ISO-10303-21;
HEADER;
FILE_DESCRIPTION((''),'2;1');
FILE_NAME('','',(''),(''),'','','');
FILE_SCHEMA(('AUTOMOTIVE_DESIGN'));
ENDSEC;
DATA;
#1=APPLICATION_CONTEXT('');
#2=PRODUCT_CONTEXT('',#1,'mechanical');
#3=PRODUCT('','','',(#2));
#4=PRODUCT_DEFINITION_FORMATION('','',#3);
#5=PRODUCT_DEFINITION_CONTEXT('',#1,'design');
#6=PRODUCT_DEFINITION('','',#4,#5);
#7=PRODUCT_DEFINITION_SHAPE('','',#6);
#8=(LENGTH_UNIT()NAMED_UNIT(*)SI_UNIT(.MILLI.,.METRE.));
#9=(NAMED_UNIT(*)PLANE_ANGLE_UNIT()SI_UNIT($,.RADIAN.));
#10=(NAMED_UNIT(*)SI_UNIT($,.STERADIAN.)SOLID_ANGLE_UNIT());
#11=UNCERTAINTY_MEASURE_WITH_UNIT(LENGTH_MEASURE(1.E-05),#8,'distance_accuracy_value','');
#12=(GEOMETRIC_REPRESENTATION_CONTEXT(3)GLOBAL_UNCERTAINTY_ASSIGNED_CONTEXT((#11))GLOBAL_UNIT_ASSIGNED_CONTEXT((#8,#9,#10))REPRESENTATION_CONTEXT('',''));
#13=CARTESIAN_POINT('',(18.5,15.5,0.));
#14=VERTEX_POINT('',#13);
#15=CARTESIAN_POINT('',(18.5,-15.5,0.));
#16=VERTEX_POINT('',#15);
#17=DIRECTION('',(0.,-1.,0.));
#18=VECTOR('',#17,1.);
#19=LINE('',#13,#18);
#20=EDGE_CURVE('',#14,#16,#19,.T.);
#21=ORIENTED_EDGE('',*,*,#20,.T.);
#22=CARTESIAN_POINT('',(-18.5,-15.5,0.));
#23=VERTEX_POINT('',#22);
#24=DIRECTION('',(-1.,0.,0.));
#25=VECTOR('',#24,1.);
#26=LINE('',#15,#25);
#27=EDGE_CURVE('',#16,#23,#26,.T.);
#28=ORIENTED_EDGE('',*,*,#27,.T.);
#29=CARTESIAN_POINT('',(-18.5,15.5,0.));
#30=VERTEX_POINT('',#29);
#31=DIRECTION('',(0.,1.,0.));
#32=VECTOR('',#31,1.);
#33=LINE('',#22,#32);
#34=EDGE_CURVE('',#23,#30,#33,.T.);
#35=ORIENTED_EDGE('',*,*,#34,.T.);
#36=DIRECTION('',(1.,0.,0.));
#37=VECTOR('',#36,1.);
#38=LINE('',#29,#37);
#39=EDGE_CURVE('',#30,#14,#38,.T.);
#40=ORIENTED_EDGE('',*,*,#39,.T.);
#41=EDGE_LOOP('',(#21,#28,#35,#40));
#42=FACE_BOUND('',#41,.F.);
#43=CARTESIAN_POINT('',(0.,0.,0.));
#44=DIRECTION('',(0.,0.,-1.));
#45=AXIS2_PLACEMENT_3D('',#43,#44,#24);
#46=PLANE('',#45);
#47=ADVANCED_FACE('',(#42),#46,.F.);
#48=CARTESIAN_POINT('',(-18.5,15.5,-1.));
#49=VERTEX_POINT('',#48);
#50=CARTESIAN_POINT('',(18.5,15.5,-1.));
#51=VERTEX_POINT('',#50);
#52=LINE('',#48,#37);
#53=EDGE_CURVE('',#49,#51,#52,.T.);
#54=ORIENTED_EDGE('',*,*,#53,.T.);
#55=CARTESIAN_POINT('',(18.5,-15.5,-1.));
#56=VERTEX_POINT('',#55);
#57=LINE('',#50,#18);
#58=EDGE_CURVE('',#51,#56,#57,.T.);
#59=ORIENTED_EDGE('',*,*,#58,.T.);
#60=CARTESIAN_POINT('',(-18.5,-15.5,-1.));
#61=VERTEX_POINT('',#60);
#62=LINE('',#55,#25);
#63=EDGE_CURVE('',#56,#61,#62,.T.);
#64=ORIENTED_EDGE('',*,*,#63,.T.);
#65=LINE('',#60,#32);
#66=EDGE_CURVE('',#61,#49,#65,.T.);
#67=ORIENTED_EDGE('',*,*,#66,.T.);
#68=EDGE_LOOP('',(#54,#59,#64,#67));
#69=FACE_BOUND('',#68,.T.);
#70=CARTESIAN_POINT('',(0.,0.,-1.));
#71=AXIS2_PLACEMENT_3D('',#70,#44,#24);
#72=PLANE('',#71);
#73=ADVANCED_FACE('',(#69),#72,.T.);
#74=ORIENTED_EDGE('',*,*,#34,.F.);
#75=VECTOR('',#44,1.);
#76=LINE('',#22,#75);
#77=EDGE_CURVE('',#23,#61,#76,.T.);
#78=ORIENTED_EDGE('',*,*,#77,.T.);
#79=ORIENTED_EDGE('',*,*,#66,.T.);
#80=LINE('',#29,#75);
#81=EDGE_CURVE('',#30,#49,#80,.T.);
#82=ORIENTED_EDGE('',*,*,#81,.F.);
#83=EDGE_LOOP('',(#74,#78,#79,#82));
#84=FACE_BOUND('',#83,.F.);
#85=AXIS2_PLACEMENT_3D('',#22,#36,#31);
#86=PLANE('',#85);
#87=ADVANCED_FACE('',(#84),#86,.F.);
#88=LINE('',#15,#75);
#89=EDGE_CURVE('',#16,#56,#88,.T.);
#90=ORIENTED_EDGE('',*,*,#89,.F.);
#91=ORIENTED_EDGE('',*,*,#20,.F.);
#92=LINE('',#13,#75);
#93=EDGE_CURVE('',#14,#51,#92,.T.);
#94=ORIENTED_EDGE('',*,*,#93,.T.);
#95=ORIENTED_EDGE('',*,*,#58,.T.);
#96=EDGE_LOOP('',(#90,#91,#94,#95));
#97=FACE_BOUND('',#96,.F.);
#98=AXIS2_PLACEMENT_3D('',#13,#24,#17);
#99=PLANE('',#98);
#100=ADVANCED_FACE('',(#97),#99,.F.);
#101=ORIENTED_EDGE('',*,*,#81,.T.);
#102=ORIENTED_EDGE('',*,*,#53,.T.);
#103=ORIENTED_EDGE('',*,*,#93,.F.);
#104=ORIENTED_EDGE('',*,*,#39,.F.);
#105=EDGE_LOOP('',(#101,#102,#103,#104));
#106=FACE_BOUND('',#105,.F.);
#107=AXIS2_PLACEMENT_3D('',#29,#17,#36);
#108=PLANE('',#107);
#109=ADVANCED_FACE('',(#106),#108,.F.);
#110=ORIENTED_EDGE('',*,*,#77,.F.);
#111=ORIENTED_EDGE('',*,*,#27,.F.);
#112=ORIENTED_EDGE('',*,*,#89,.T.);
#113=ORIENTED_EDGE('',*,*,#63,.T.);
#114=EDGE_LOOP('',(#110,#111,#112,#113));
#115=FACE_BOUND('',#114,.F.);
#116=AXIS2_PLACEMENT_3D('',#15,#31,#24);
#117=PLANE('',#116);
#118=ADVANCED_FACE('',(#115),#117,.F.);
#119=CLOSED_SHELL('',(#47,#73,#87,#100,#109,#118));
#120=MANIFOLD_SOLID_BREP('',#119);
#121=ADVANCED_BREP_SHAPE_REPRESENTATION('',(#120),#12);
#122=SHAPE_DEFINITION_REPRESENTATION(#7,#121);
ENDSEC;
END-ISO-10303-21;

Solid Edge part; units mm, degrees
sketch "Sketch1" plane through (0, 0, 0) normal (0, 0, -1) x (-1, 0, 0)
  line L0 (-18.5, -15.5) -> (18.5, -15.5)
  line L1 (18.5, -15.5) -> (18.5, 15.5)
  line L2 (18.5, 15.5) -> (-18.5, 15.5)
  line L3 (-18.5, 15.5) -> (-18.5, -15.5)
  dimension "D1" = 37
  dimension "D2" = 31
extrude "Protrusion1" add sketch "Sketch1" along normal blind 1
